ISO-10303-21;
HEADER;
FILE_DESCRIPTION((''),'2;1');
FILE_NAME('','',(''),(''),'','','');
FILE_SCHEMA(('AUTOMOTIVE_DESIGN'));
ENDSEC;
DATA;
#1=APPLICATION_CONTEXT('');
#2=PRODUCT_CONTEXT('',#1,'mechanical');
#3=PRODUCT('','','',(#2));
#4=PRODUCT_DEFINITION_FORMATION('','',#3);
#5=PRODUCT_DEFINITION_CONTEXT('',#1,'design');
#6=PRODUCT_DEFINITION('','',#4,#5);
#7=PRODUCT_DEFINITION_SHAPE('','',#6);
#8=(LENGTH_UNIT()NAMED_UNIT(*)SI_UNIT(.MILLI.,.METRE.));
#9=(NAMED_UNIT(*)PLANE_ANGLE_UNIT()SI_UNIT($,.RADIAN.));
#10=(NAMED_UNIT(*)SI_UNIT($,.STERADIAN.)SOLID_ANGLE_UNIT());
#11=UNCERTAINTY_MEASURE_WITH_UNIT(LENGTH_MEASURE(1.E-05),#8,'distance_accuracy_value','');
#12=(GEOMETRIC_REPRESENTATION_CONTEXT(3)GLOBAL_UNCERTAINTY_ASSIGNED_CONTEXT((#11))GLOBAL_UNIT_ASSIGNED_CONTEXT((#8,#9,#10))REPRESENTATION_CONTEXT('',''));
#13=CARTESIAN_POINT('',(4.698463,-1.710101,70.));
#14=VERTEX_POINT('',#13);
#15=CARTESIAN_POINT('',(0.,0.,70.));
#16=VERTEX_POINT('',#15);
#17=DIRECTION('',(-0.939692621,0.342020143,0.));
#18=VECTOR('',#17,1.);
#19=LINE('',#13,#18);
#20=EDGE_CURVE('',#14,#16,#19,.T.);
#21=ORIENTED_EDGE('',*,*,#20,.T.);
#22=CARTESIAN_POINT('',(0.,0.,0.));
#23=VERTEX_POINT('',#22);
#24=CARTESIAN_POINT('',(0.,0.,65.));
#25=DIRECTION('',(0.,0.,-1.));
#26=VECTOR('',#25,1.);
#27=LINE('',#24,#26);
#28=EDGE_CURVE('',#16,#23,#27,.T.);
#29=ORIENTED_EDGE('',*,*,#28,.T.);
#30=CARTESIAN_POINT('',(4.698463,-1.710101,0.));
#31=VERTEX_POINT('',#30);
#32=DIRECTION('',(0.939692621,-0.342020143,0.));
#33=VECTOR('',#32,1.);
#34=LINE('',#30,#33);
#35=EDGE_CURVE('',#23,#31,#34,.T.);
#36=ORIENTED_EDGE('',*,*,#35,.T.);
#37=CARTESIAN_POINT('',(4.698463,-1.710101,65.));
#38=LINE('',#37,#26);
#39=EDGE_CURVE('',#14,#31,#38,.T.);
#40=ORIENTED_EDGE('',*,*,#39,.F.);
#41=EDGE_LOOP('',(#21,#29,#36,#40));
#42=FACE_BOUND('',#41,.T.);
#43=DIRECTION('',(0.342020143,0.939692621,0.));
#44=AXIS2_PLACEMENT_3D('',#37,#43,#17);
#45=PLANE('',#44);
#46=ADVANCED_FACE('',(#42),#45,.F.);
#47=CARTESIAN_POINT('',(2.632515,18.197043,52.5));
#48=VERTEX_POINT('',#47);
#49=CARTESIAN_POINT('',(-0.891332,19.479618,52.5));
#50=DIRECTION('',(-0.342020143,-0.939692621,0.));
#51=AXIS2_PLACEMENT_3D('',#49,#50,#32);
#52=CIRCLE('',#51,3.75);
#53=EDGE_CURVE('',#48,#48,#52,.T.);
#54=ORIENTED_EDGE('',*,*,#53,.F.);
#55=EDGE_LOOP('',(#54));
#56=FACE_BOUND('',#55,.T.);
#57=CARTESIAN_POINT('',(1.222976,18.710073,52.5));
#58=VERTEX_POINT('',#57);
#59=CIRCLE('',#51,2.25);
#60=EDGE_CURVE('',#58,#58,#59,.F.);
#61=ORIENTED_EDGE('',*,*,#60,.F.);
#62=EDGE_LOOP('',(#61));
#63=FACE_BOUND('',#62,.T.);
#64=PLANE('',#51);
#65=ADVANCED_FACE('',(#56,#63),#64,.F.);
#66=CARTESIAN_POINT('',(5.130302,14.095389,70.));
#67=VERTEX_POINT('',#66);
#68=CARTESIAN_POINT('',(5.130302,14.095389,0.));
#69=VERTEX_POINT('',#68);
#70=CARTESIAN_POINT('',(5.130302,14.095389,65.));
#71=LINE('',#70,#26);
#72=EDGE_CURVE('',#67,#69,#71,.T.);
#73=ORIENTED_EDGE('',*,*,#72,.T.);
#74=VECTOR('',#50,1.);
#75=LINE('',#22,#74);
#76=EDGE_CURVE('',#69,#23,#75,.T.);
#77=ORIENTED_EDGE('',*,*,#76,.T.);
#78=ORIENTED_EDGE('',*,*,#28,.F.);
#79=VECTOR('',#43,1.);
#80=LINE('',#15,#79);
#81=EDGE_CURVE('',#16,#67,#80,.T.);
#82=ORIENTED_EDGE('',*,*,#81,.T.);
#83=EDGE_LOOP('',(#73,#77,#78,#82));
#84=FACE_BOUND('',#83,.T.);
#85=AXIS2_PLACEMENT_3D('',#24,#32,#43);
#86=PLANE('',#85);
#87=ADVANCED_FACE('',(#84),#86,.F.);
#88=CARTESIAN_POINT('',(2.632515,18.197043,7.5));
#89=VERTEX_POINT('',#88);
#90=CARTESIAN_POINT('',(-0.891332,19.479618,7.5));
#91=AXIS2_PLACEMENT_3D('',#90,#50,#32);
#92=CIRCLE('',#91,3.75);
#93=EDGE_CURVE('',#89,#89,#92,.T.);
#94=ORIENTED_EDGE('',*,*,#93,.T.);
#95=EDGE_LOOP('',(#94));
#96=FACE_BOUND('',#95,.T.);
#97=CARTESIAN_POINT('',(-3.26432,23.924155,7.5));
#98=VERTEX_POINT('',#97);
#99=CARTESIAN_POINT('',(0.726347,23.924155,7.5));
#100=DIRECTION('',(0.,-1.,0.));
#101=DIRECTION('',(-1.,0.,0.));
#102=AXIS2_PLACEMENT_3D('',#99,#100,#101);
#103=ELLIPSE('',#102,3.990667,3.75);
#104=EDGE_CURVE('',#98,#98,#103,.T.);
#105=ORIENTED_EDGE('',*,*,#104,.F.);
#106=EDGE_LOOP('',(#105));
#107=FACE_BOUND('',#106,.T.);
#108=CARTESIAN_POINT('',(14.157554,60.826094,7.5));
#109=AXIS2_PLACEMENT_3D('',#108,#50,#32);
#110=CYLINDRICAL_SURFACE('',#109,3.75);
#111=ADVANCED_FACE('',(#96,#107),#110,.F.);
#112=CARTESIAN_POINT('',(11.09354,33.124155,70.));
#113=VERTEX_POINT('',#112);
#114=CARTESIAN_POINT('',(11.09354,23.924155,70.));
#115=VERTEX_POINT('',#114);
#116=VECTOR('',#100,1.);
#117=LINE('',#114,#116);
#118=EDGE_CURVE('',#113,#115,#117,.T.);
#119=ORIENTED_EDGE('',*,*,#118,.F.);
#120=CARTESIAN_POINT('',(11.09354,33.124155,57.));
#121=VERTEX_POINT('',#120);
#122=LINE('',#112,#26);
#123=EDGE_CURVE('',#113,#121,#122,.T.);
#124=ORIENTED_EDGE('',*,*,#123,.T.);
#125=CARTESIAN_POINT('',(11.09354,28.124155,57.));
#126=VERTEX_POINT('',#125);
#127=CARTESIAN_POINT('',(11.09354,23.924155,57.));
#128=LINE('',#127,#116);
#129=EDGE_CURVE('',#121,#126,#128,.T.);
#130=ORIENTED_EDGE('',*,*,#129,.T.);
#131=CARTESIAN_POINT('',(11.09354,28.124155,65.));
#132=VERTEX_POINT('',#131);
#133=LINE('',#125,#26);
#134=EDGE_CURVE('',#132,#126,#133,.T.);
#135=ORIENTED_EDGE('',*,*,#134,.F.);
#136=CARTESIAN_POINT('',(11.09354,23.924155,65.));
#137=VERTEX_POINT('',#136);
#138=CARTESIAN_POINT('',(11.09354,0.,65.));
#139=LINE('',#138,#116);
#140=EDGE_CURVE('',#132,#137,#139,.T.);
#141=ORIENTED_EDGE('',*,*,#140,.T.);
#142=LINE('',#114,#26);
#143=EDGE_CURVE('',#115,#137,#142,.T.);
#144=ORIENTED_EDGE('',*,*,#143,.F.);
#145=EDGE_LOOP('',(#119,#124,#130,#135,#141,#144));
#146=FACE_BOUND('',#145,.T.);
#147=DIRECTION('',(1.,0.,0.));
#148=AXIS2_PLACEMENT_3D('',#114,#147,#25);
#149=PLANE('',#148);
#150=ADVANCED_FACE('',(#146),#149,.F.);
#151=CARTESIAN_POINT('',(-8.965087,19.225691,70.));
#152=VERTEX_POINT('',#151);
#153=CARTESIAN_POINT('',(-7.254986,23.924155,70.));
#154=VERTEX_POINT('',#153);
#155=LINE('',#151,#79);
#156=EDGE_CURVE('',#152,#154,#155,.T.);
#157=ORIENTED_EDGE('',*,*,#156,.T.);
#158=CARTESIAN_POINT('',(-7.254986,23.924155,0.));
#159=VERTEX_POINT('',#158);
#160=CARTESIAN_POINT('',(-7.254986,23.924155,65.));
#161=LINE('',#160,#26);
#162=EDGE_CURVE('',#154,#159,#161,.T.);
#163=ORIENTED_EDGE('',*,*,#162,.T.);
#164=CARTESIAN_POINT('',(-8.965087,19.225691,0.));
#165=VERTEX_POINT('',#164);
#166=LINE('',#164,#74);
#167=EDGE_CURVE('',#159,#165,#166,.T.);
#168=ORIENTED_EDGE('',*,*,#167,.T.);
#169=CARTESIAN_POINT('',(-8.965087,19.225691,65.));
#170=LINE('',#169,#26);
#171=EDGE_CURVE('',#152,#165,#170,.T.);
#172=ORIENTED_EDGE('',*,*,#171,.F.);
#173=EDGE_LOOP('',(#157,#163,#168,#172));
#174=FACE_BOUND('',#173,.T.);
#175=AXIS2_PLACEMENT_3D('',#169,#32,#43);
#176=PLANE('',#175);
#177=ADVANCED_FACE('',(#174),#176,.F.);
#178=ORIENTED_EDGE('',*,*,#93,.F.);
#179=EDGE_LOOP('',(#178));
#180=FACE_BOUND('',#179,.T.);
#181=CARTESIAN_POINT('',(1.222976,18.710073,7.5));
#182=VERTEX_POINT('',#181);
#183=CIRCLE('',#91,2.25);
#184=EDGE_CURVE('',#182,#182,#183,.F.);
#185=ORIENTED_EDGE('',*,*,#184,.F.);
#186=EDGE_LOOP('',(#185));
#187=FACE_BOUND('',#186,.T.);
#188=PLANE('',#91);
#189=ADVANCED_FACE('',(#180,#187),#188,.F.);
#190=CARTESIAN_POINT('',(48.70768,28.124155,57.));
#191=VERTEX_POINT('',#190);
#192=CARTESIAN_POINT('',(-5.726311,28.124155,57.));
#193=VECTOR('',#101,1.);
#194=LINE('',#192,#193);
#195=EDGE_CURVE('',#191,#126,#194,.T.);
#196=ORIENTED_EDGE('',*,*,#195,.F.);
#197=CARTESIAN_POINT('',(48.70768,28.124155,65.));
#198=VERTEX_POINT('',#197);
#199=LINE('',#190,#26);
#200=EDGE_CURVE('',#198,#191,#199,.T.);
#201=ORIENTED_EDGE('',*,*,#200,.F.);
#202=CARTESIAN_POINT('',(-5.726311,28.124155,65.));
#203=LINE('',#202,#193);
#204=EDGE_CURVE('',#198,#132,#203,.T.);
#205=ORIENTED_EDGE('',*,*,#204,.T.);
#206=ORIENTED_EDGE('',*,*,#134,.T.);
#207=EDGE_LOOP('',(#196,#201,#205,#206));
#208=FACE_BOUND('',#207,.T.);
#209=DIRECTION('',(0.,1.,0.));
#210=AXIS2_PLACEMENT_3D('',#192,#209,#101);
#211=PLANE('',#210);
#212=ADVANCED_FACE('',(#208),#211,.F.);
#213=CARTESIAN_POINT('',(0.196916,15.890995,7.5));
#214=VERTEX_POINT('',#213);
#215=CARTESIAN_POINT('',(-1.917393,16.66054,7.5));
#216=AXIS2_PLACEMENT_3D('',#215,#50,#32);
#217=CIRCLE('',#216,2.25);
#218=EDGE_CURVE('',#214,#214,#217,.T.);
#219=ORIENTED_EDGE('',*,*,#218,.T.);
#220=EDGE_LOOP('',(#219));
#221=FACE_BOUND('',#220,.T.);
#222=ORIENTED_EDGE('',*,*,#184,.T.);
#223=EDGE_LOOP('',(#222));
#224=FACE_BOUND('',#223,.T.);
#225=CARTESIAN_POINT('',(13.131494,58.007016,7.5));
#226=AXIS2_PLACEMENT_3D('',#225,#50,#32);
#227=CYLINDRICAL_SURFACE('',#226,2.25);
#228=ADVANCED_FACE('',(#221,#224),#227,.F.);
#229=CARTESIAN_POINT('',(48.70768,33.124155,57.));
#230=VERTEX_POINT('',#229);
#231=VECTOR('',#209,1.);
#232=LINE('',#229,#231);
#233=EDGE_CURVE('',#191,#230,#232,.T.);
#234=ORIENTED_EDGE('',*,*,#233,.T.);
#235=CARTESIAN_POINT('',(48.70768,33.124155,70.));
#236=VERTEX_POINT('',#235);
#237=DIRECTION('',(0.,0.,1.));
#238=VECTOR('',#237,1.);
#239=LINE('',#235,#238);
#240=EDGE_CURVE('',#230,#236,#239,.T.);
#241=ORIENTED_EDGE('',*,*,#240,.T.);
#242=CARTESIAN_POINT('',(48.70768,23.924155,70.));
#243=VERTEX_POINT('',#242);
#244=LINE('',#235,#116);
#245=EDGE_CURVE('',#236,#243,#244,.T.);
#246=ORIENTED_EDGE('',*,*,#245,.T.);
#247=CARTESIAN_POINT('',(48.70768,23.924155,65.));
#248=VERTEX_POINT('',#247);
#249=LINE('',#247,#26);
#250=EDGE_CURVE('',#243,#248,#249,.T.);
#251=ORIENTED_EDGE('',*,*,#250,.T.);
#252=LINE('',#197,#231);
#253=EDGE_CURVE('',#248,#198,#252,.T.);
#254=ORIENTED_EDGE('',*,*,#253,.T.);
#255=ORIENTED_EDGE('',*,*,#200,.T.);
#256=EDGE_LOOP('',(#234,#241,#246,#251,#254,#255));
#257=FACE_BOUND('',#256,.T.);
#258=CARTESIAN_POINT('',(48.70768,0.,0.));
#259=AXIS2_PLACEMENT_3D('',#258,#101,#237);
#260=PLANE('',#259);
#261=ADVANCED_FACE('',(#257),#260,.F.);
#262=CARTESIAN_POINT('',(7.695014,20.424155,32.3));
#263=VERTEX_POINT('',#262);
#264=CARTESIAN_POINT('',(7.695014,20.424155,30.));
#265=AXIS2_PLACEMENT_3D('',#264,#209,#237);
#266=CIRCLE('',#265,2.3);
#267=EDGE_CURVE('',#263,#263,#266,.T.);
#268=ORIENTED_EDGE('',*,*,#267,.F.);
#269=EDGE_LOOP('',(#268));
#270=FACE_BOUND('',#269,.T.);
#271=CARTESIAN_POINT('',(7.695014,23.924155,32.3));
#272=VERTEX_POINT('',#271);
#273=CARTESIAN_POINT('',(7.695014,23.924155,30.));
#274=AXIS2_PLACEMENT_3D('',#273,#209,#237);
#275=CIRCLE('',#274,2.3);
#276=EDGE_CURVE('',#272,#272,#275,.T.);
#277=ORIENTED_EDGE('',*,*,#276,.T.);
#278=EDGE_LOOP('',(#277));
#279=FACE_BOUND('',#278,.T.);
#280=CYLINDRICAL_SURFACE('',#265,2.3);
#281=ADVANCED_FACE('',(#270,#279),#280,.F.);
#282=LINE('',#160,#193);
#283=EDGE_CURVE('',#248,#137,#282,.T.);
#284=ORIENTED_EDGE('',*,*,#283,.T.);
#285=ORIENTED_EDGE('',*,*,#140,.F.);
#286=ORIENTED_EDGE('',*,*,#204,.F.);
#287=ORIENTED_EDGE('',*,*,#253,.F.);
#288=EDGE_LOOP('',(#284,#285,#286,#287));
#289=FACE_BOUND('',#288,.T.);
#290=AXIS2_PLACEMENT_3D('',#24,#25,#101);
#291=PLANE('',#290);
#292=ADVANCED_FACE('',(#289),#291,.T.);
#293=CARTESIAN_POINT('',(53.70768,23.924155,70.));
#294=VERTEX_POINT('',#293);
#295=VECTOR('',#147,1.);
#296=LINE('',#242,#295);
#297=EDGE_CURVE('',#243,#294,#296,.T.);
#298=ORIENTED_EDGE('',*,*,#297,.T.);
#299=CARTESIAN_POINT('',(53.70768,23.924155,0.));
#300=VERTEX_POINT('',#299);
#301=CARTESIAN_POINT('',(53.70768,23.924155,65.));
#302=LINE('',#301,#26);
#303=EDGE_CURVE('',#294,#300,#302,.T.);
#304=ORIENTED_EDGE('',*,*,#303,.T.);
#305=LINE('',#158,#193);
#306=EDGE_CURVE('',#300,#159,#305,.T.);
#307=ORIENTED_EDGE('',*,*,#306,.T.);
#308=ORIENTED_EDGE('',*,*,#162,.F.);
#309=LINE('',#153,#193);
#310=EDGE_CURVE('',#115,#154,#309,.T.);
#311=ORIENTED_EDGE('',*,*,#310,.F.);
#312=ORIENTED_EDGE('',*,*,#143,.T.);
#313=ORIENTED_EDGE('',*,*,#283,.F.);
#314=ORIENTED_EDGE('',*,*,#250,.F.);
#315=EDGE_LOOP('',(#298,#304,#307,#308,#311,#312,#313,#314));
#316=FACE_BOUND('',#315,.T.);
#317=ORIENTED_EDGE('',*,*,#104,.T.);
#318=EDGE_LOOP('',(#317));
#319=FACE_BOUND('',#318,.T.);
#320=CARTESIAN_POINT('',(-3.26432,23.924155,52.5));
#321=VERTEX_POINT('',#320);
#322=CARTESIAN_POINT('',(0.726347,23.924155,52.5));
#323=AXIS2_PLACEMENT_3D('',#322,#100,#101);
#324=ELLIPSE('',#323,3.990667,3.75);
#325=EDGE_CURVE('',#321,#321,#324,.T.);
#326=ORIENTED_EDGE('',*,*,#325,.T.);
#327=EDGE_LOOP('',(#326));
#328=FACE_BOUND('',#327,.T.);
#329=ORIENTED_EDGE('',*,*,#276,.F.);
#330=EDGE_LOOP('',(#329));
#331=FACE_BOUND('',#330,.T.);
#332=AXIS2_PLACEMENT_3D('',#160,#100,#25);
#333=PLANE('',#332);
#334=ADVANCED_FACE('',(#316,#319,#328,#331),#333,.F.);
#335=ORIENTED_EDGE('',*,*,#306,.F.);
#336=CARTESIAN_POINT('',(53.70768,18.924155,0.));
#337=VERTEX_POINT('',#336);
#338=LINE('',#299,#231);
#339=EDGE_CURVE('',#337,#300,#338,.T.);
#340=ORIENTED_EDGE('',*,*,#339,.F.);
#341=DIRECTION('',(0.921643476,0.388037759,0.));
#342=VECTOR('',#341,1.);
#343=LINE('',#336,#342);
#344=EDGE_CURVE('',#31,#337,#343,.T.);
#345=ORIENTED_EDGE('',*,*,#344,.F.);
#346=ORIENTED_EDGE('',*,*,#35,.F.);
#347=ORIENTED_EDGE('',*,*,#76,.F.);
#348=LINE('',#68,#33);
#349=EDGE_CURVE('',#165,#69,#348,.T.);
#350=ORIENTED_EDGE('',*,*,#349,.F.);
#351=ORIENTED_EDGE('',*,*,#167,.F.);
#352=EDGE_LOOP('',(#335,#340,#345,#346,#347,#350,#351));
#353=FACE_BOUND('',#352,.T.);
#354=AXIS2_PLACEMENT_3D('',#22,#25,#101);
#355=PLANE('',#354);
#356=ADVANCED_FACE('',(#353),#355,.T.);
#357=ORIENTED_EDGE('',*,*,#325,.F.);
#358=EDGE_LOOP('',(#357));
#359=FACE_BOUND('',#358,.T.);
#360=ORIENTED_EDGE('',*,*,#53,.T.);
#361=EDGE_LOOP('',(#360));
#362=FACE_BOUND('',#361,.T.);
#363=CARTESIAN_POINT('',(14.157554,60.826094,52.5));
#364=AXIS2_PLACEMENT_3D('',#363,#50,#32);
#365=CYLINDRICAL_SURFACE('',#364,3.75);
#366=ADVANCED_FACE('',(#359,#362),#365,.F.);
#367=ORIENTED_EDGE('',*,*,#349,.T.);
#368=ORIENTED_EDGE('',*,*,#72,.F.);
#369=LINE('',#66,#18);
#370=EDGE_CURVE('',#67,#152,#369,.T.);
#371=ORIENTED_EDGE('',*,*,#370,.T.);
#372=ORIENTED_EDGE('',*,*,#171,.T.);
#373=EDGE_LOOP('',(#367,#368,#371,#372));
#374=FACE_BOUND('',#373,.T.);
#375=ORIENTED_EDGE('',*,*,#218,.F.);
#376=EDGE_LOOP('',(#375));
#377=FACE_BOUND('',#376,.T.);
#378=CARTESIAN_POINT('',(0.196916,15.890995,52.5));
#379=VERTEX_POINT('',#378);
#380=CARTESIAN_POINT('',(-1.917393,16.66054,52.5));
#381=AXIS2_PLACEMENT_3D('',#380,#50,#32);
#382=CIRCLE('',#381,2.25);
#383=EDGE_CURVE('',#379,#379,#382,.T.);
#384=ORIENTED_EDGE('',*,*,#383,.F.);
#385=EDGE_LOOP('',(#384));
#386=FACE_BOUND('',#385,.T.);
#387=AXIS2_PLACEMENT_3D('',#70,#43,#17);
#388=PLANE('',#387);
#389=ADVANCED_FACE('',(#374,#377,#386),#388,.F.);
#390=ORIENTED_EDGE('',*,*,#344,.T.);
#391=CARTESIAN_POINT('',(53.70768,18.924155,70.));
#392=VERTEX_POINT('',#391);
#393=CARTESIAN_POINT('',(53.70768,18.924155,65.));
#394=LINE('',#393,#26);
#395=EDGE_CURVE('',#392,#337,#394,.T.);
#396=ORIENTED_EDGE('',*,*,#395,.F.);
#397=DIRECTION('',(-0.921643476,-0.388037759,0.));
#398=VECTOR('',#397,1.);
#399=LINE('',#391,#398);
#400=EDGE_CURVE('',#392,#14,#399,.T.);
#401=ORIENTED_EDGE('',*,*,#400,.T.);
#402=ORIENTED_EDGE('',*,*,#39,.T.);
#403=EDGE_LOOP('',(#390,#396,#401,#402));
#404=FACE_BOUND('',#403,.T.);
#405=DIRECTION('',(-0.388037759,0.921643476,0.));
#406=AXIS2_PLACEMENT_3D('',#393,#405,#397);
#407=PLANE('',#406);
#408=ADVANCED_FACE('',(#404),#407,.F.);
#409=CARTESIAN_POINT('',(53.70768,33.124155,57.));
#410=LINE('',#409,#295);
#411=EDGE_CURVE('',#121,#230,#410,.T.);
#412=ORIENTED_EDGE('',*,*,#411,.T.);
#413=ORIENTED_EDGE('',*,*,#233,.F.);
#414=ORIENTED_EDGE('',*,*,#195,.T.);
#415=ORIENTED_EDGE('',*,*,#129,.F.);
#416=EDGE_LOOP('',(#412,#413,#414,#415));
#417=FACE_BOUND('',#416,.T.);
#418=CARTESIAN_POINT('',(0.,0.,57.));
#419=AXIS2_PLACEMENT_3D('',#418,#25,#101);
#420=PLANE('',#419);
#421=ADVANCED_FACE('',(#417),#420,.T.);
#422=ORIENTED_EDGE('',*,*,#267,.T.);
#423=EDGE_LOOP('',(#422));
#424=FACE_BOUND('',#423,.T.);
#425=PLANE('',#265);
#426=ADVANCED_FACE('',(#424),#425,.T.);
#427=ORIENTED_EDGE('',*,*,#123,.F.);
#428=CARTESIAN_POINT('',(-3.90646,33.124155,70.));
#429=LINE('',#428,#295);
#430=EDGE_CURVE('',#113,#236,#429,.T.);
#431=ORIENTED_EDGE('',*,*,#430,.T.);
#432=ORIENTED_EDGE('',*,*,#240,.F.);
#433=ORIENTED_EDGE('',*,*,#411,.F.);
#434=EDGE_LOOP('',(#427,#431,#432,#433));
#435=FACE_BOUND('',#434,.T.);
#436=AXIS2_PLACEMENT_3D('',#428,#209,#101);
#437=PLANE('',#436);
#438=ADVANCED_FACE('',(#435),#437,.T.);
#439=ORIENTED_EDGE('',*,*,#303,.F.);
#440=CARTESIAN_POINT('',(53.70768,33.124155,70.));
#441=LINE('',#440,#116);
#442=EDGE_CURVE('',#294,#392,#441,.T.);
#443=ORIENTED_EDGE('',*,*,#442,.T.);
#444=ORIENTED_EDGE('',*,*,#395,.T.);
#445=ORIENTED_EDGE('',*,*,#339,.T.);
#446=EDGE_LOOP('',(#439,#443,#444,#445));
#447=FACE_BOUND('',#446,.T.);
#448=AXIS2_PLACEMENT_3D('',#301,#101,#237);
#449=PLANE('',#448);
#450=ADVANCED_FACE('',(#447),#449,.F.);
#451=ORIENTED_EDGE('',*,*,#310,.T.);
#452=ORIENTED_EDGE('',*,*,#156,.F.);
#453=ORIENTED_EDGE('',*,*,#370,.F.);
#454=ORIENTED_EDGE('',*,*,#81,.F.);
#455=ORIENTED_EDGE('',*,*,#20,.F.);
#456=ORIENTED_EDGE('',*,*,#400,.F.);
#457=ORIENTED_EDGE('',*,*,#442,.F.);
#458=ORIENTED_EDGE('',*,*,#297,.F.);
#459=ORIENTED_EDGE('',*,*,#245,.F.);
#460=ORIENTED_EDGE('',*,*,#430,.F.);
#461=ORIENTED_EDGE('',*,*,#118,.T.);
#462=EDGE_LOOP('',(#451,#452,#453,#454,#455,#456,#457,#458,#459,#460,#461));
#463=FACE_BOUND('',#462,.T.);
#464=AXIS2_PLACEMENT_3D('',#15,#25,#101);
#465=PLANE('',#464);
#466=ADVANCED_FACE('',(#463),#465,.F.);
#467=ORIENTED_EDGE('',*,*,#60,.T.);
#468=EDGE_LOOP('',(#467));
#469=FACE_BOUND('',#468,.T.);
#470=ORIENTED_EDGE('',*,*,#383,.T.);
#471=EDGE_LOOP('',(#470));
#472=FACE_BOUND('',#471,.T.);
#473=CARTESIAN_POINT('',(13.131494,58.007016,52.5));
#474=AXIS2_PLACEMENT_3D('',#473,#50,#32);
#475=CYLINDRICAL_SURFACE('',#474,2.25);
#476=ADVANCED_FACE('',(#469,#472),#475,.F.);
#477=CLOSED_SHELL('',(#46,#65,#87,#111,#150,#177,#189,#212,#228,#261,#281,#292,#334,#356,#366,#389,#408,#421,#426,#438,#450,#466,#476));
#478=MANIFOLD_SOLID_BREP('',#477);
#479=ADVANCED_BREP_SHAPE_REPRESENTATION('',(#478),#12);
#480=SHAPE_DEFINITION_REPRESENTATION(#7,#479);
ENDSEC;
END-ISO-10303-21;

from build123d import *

# Parameters (mm, degrees)
EXTRUDE_1_DEPTH     = 65
SKETCH_4_R          = 2.25
CUT_EXTRUDE_2_DEPTH = 44
CUT_EXTRUDE_START   = -3
SKETCH_5_R          = 3.75
CUT_EXTRUDE_3_DEPTH = 44
EXTRUDE_2_DEPTH     = 5
EXTRUDE_3_DEPTH     = 8
SKETCH_8_R          = 2.3
CUT_EXTRUDE_4_DEPTH = 3.5
CUT_EXTRUDE_6_DEPTH = 14
CUT_EXTRUDE_7_DEPTH = 5


with BuildPart() as part:
    # ｽｹｯﾁ1 → ﾎﾞｽ - 押し出し1 (new body)
    with BuildSketch(Plane.XY):
        Polygon((0, 0), (5.13030215, 14.095389312), (-8.965087162, 19.225691462), (-7.254986445, 23.924154566), (53.707680142, 23.924154566), (53.707680142, 18.924154566), (4.698463104, -1.710100717), align=None)
    extrude(amount=EXTRUDE_1_DEPTH)

    # ｽｹｯﾁ4 → ｶｯﾄ - 押し出し2 (cut)
    with BuildSketch(Plane(origin=(5.13030215, 14.095389312, 0), x_dir=(-0.939692621, 0.342020143, 0), z_dir=(-0.342020143, -0.939692621, 0))):
        with Locations((7.5, -7.5)):
            Circle(SKETCH_4_R)
        with Locations((7.5, -52.5)):
            Circle(SKETCH_4_R)
    extrude(amount=-CUT_EXTRUDE_2_DEPTH, mode=Mode.SUBTRACT)

    # ｽｹｯﾁ5 → ｶｯﾄ - 押し出し3 (cut)
    with BuildSketch(Plane(origin=(5.13030215, 14.095389312, 0), x_dir=(-0.939692621, 0.342020143, 0), z_dir=(-0.342020143, -0.939692621, 0)).offset(CUT_EXTRUDE_START)):
        with Locations((7.5, -52.5)):
            Circle(SKETCH_5_R)
        with Locations((7.5, -7.5)):
            Circle(SKETCH_5_R)
    extrude(amount=-CUT_EXTRUDE_3_DEPTH, mode=Mode.SUBTRACT)

    # ｽｹｯﾁ6 → ﾎﾞｽ - 押し出し2 (add)
    with BuildSketch(Plane(origin=(0, 0, 65), x_dir=(-1, 0, 0), z_dir=(0, 0, -1))):
        Polygon((-53.707680142, 33.124154566), (-53.707680142, 18.924154566), (-4.698463104, -1.710100717), (0, 0), (-5.13030215, 14.095389312), (8.965087162, 19.225691462), (3.90646029, 33.124154566), align=None)
    extrude(amount=-EXTRUDE_2_DEPTH)

    # ｽｹｯﾁ7 → ﾎﾞｽ - 押し出し3 (add)
    with BuildSketch(Plane(origin=(0, 0, 65), x_dir=(-1, 0, 0), z_dir=(0, 0, -1))):
        Polygon((3.90646029, 33.124154566), (5.726311461, 28.124154566), (-53.707680142, 28.124154566), (-53.707680142, 33.124154566), align=None)
    extrude(amount=EXTRUDE_3_DEPTH)

    # ｽｹｯﾁ8 → ｶｯﾄ - 押し出し4 (cut)
    with BuildSketch(Plane(origin=(0, 23.924154566, 0), x_dir=(1, 0, 0), z_dir=(0, 1, 0))):
        with Locations((7.695013555, -30)):
            Circle(SKETCH_8_R)
    extrude(amount=-CUT_EXTRUDE_4_DEPTH, mode=Mode.SUBTRACT)

    # ｽｹｯﾁ10 → ｶｯﾄ - 押し出し6 (cut, through all)
    with BuildSketch(Plane(origin=(0, 0, 57), x_dir=(-1, 0, 0), z_dir=(0, 0, -1))):
        Polygon((7.254986445, 23.924154566), (-11.09353971, 23.924154566), (-11.09353971, 33.124154566), (3.90646029, 33.124154566), align=None)
    extrude(amount=-CUT_EXTRUDE_6_DEPTH, mode=Mode.SUBTRACT)

    # ｽｹｯﾁ11 → ｶｯﾄ - 押し出し7 (cut)
    with BuildSketch(Plane(origin=(53.707680142, 0, 0), x_dir=(0, 0, -1), z_dir=(1, 0, 0))):
        Polygon((-65, 23.924154566), (-70, 23.924154566), (-70, 33.124154566), (-57, 33.124154566), (-57, 28.124154566), (-65, 28.124154566), align=None)
    extrude(amount=-CUT_EXTRUDE_7_DEPTH, mode=Mode.SUBTRACT)


solid = part.part
